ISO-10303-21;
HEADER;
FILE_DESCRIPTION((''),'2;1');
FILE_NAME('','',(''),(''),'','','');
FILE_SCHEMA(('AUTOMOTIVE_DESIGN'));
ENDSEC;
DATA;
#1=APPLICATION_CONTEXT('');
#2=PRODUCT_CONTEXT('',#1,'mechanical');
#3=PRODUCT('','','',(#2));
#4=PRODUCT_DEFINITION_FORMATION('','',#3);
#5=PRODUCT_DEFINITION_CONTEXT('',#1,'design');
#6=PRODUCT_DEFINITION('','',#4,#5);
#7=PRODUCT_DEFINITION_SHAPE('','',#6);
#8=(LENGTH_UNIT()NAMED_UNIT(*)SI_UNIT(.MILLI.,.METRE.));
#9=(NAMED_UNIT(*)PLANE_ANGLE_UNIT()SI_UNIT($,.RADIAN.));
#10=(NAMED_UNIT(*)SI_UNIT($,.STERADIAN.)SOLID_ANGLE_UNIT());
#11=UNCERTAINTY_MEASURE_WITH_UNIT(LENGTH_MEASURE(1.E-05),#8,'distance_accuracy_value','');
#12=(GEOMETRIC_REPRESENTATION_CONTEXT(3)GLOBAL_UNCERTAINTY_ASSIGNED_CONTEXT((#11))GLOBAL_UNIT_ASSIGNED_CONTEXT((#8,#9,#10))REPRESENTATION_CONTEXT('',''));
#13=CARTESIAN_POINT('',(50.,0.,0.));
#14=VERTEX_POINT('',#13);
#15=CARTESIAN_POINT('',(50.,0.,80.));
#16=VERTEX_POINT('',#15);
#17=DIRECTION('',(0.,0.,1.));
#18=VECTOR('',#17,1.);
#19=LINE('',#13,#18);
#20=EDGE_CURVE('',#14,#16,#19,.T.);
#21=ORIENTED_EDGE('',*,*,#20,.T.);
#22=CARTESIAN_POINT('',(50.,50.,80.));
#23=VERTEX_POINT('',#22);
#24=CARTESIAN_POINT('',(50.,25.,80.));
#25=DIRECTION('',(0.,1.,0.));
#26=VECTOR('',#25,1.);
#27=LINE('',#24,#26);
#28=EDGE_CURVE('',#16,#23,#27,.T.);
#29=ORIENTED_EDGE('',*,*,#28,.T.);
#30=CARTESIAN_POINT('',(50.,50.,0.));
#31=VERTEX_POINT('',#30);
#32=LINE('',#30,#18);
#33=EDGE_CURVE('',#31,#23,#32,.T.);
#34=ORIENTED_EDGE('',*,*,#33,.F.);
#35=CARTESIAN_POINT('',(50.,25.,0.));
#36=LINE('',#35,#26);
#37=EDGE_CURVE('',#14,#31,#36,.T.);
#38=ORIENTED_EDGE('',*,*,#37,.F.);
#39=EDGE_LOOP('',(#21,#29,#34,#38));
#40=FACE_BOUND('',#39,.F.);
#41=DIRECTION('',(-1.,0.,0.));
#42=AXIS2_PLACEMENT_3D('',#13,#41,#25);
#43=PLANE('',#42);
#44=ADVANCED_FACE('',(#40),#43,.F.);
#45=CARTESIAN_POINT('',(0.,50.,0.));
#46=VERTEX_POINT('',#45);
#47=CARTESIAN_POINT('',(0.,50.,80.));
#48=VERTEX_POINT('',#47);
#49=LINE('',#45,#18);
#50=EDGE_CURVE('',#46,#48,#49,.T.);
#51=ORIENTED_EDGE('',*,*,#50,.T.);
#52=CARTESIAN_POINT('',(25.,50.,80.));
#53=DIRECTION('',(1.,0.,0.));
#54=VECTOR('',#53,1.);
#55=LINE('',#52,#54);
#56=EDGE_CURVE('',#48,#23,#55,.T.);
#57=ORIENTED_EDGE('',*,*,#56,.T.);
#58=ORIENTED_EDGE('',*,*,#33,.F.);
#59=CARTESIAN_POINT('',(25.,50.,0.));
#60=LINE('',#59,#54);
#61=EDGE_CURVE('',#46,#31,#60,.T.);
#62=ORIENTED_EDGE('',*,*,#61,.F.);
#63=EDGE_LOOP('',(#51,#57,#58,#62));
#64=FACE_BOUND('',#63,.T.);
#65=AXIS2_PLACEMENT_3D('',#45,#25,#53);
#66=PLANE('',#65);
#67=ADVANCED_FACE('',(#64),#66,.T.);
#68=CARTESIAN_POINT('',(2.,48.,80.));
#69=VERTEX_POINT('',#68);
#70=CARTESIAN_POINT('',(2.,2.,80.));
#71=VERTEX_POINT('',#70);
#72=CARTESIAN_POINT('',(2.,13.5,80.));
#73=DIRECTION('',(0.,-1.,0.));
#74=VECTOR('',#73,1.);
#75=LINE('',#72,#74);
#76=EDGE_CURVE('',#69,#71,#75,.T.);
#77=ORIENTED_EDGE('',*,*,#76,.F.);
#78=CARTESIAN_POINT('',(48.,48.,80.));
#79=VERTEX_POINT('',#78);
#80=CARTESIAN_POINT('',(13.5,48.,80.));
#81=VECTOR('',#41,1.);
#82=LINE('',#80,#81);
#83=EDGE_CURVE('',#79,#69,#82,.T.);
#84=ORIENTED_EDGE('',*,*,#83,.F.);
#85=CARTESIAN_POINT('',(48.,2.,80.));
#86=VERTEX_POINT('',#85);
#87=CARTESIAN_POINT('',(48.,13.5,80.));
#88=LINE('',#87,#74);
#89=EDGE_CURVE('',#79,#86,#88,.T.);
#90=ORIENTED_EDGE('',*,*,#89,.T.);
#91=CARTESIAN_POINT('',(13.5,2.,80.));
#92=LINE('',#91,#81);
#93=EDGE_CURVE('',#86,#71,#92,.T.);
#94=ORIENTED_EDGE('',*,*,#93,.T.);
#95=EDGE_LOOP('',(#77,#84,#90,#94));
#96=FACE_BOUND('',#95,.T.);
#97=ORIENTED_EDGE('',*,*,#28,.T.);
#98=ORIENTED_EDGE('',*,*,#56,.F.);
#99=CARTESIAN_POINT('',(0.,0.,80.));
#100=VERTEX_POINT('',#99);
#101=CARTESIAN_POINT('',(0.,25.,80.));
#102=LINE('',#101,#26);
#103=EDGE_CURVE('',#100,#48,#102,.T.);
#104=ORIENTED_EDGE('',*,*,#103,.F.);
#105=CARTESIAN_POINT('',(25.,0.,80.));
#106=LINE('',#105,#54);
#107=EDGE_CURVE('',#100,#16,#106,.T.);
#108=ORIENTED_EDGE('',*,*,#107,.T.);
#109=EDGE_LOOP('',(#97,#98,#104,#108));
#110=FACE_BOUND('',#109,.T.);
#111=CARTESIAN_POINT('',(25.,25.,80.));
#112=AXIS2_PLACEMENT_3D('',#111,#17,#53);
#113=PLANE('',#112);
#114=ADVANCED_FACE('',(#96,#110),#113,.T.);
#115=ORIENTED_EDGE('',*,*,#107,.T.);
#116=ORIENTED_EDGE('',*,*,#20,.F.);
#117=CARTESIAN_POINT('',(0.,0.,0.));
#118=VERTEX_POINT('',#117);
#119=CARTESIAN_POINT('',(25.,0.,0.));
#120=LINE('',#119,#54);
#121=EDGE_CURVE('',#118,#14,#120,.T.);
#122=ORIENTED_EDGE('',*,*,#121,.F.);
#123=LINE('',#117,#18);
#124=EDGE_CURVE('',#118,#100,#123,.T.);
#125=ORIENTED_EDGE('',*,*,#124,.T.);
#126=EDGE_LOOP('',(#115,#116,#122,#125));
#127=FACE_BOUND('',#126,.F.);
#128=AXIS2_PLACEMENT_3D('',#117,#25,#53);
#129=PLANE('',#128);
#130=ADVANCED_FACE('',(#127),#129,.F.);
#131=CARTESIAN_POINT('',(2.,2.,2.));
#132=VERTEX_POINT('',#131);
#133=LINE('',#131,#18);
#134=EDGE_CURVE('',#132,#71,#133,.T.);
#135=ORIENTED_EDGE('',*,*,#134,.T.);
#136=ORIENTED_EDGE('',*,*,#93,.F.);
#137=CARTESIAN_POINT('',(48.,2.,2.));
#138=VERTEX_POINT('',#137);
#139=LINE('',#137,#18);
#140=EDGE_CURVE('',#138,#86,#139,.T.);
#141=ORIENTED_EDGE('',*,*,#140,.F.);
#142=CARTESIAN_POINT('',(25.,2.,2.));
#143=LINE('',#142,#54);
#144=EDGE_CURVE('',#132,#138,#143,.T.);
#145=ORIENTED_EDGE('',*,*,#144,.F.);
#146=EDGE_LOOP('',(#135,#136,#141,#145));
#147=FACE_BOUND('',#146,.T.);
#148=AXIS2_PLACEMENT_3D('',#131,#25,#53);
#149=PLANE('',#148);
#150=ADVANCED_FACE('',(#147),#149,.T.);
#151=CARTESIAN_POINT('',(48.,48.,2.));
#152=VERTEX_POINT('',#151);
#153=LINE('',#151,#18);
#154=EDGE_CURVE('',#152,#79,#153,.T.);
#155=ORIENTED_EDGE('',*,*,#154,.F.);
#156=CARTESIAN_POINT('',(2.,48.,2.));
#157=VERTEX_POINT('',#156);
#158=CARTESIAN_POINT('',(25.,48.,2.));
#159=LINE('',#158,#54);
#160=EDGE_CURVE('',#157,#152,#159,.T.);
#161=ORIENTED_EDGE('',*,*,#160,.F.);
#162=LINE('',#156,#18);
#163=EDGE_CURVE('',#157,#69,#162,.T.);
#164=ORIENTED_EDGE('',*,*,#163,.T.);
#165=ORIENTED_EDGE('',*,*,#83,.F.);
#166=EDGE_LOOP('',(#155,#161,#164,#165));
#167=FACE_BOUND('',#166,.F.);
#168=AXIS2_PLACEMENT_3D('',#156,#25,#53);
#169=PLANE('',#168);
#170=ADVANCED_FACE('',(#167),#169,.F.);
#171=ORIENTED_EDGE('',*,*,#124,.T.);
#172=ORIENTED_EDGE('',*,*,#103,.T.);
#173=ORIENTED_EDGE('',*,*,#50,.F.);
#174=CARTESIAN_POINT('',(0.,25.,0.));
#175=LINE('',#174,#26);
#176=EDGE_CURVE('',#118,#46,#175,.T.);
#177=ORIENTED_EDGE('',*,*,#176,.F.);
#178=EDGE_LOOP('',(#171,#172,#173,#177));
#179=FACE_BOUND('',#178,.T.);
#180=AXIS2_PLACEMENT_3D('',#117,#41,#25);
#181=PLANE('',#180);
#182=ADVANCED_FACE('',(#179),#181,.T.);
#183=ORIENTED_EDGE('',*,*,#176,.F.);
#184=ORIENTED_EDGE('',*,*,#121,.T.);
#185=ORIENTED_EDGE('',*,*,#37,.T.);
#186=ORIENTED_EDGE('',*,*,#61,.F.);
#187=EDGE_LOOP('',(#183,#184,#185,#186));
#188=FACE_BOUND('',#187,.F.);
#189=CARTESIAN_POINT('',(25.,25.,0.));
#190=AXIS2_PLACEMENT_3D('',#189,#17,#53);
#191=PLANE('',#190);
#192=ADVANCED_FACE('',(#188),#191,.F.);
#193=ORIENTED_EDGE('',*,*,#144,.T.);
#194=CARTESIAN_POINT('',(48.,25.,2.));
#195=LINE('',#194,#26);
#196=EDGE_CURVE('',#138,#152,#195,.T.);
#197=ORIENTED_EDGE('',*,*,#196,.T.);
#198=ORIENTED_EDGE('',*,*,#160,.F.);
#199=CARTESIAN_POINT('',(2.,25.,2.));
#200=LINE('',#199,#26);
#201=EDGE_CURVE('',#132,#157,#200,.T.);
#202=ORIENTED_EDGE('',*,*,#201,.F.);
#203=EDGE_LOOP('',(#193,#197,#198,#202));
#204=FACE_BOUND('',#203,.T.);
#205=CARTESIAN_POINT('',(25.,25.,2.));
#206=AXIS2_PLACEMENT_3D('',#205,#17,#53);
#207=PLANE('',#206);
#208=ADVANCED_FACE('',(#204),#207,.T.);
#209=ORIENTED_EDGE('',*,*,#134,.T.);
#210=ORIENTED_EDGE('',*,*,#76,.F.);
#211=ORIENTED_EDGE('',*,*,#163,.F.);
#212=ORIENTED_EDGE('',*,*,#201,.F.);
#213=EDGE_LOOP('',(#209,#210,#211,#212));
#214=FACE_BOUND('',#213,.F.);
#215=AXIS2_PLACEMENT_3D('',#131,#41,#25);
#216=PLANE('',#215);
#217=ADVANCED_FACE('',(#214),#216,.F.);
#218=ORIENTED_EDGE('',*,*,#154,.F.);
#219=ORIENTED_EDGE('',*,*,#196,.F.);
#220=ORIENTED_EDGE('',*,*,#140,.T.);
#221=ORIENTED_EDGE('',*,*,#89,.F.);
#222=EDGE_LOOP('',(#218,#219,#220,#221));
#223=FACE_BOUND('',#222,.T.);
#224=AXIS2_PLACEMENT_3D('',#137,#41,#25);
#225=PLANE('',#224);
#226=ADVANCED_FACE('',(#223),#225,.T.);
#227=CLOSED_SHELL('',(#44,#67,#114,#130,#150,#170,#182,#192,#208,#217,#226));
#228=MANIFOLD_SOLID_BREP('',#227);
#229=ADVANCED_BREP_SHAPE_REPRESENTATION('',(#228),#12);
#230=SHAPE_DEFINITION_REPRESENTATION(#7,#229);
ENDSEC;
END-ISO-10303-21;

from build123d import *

# Parameters (mm, degrees)
BOX001_W     = 46
BOX001_H     = 46
BOX001_DEPTH = 80
BOX_W        = 50
BOX_H        = 50
BOX_DEPTH    = 80


with BuildPart() as cubo2:
    # Box001 → Box001 (new body)
    with BuildSketch(Plane(origin=(2, 2, 2), x_dir=(1, 0, 0), z_dir=(0, 0, 1))):
        with Locations((23, 23)):
            Rectangle(BOX001_W, BOX001_H)
    extrude(amount=BOX001_DEPTH)


with BuildPart() as cut:
    # Box → Box (new body)
    with BuildSketch(Plane.XY):
        with Locations((25, 25)):
            Rectangle(BOX_W, BOX_H)
    extrude(amount=BOX_DEPTH)

    # Cut: cut CUBO2
    add(cubo2.part, mode=Mode.SUBTRACT)


solid = cut.part
